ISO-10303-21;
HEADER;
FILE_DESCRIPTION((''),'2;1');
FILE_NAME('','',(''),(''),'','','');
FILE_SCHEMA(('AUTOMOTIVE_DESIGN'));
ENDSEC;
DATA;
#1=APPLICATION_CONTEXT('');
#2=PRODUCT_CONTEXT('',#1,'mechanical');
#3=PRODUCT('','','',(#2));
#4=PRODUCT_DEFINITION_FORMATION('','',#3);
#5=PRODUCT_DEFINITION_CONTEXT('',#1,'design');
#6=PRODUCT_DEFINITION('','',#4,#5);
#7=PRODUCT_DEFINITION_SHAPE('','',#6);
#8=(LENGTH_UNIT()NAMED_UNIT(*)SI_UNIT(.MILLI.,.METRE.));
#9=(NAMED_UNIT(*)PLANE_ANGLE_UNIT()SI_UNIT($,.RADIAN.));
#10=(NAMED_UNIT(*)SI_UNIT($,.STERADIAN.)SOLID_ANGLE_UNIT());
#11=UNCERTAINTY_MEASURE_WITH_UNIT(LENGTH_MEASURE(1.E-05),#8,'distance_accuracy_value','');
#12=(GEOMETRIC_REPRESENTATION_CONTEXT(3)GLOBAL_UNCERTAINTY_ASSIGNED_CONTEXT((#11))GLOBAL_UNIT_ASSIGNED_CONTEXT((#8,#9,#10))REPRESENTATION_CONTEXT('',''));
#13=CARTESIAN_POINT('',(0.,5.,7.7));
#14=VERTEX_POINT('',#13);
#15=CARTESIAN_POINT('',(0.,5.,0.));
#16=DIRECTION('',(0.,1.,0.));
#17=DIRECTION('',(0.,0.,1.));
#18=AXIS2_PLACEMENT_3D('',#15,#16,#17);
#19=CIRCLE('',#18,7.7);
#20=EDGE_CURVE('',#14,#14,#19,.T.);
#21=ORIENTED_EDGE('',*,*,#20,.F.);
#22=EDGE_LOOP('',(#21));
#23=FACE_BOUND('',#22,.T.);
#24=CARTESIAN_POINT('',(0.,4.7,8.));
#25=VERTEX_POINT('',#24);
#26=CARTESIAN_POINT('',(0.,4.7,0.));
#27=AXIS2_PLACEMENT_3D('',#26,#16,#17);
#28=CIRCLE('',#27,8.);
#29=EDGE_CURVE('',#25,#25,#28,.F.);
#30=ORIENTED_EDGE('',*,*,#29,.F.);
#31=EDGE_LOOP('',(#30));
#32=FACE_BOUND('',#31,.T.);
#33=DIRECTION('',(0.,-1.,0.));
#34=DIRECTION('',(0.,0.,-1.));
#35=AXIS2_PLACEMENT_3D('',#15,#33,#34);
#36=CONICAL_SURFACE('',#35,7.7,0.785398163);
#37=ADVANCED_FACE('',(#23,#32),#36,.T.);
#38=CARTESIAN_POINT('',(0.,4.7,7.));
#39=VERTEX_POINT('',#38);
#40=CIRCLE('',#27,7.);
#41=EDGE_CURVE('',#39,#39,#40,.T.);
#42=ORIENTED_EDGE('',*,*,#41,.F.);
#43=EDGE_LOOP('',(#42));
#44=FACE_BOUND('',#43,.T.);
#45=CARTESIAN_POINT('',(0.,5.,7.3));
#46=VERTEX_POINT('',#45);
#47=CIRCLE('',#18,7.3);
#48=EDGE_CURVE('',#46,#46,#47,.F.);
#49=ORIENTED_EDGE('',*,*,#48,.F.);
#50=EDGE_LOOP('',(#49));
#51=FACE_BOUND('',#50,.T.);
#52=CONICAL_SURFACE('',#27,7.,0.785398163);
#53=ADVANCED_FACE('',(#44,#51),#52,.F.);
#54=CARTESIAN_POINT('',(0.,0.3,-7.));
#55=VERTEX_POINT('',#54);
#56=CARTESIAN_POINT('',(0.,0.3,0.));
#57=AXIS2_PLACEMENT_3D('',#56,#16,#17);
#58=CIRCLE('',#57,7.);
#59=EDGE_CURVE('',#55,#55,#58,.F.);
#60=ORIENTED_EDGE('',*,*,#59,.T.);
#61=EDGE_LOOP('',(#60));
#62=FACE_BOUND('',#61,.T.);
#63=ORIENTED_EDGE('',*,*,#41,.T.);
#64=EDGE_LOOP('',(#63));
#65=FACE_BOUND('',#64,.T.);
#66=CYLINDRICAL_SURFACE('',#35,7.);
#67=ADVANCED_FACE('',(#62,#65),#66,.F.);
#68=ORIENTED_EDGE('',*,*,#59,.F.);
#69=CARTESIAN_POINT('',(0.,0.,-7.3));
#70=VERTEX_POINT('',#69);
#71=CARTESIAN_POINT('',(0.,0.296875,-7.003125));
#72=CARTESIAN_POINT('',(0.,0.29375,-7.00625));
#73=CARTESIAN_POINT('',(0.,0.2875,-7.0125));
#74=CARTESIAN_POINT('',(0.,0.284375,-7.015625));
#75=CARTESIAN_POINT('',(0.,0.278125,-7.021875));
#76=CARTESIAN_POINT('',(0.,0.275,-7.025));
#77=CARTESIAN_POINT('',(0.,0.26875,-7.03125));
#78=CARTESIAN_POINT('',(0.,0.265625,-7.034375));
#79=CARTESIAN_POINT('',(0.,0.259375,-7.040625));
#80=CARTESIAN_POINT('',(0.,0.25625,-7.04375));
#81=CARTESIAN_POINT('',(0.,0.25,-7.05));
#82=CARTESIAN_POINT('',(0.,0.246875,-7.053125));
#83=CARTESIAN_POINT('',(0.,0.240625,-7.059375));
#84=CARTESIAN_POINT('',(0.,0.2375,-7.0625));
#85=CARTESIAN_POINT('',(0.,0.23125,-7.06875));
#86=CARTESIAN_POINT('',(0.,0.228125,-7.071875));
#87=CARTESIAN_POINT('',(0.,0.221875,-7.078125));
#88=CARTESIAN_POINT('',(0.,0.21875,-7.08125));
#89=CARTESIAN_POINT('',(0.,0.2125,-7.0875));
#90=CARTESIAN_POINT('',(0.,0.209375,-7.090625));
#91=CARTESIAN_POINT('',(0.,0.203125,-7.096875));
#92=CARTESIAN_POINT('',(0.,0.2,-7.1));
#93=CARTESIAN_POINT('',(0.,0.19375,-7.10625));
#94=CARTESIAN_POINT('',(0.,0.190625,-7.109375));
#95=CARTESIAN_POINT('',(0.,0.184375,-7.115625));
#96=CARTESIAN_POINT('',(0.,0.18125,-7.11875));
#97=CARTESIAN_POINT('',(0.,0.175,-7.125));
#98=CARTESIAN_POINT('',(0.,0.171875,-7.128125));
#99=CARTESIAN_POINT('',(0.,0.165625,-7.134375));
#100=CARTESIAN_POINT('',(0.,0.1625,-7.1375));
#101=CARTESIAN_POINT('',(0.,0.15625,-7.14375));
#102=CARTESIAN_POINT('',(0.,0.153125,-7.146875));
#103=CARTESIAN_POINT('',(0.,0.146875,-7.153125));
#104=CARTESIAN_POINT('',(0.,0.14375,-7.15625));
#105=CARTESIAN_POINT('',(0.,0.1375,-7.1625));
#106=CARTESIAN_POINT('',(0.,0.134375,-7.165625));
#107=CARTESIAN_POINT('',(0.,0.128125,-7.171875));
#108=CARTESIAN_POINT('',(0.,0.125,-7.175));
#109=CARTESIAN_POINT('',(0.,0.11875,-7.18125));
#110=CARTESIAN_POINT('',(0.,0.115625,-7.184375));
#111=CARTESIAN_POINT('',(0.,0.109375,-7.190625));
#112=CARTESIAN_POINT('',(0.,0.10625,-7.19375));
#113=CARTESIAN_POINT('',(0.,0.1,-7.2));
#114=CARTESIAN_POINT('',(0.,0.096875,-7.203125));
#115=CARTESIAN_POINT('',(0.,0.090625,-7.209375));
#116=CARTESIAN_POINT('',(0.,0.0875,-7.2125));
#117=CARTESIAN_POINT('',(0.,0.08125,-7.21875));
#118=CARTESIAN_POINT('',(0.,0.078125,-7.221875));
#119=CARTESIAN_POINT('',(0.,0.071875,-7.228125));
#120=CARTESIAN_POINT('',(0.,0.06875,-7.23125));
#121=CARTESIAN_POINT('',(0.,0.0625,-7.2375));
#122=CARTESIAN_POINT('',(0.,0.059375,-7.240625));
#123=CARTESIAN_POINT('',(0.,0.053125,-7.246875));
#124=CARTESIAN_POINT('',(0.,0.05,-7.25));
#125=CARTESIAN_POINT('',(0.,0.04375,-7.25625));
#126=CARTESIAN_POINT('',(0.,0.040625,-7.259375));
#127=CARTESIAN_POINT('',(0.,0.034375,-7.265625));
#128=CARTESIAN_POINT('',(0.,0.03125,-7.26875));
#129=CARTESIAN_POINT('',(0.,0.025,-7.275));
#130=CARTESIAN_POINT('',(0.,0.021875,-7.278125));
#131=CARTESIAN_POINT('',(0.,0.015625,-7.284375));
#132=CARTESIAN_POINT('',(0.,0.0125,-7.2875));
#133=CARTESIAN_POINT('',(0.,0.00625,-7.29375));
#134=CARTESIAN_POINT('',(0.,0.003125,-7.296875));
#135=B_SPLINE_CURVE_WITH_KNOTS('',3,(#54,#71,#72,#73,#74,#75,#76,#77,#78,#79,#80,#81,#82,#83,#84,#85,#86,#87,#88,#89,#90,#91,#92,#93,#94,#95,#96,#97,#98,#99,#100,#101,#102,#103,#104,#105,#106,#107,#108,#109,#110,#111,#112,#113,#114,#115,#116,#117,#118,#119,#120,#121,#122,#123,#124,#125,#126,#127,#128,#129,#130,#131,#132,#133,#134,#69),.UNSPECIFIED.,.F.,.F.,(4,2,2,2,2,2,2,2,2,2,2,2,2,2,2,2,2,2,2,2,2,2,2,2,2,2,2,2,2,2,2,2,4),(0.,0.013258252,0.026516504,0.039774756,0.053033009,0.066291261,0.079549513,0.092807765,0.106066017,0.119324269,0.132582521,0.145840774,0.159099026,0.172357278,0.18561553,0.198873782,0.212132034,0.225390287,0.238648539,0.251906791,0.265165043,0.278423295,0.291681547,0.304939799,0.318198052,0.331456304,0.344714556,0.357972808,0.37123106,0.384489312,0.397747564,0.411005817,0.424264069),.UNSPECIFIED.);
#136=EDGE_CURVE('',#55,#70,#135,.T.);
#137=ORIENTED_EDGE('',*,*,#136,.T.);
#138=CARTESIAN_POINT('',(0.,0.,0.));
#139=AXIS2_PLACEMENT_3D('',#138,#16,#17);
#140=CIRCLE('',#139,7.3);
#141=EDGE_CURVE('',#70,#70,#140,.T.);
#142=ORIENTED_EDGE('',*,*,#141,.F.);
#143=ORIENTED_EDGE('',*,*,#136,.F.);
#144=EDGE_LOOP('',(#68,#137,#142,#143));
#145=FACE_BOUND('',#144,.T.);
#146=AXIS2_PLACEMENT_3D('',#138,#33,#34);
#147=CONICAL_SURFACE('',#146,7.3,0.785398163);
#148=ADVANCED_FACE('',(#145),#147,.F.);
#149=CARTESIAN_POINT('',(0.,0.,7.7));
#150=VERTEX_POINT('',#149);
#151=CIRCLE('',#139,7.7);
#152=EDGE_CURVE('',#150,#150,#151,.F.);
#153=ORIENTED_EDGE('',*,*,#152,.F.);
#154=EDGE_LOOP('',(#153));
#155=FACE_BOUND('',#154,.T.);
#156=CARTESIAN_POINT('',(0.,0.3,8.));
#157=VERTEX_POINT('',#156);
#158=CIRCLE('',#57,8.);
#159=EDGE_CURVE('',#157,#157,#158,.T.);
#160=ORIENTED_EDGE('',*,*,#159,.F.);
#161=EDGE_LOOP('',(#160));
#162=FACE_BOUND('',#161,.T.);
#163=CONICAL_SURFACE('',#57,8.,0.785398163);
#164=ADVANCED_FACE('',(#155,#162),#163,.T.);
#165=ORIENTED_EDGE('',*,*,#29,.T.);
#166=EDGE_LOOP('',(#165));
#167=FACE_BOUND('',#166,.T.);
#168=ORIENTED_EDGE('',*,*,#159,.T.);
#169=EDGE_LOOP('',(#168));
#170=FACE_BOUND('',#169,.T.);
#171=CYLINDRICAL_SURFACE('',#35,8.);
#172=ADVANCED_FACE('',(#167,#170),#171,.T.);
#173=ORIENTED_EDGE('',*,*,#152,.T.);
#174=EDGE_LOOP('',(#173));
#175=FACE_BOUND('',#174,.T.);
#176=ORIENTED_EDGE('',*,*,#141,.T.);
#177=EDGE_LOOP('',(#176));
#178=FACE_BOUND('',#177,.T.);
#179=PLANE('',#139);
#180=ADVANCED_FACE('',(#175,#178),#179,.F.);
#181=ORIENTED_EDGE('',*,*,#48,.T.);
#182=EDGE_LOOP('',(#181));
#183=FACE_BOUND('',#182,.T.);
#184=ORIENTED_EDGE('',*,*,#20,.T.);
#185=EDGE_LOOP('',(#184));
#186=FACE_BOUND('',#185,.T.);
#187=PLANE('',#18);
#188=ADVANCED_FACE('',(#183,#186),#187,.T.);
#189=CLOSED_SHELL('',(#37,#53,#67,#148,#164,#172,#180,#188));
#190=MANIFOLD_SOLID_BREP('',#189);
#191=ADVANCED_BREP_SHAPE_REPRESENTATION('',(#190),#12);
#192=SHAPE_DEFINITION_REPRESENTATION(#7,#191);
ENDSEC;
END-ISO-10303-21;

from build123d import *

# Parameters (mm, degrees)
SKETCH1_R           = 8
SKETCH1_R_2         = 7
BOSS_EXTRUDE1_DEPTH = 5
CHAMFER1_SIZE       = 0.3


with BuildPart() as part:
    # Sketch1 → Boss-Extrude1 (new body)
    with BuildSketch(Plane(origin=(0, 0, 0), x_dir=(1, 0, 0), z_dir=(0, 1, 0))):
        with Locations(Location((0, 0, 0), (0, 0, 270))):
            Circle(SKETCH1_R)
        with Locations(Location((0, 0, 0), (0, 0, 270))):
            Circle(SKETCH1_R_2, mode=Mode.SUBTRACT)
    extrude(amount=BOSS_EXTRUDE1_DEPTH)

    # Chamfer1
    chamfer1_edges = [part.edges().sort_by_distance(p)[0] for p in [
        (0, 0, -8),
        (0, 5, -8),
        (0, 0, -7),
        (0, 5, -7),
    ]]
    chamfer(chamfer1_edges, length=CHAMFER1_SIZE)


solid = part.part
